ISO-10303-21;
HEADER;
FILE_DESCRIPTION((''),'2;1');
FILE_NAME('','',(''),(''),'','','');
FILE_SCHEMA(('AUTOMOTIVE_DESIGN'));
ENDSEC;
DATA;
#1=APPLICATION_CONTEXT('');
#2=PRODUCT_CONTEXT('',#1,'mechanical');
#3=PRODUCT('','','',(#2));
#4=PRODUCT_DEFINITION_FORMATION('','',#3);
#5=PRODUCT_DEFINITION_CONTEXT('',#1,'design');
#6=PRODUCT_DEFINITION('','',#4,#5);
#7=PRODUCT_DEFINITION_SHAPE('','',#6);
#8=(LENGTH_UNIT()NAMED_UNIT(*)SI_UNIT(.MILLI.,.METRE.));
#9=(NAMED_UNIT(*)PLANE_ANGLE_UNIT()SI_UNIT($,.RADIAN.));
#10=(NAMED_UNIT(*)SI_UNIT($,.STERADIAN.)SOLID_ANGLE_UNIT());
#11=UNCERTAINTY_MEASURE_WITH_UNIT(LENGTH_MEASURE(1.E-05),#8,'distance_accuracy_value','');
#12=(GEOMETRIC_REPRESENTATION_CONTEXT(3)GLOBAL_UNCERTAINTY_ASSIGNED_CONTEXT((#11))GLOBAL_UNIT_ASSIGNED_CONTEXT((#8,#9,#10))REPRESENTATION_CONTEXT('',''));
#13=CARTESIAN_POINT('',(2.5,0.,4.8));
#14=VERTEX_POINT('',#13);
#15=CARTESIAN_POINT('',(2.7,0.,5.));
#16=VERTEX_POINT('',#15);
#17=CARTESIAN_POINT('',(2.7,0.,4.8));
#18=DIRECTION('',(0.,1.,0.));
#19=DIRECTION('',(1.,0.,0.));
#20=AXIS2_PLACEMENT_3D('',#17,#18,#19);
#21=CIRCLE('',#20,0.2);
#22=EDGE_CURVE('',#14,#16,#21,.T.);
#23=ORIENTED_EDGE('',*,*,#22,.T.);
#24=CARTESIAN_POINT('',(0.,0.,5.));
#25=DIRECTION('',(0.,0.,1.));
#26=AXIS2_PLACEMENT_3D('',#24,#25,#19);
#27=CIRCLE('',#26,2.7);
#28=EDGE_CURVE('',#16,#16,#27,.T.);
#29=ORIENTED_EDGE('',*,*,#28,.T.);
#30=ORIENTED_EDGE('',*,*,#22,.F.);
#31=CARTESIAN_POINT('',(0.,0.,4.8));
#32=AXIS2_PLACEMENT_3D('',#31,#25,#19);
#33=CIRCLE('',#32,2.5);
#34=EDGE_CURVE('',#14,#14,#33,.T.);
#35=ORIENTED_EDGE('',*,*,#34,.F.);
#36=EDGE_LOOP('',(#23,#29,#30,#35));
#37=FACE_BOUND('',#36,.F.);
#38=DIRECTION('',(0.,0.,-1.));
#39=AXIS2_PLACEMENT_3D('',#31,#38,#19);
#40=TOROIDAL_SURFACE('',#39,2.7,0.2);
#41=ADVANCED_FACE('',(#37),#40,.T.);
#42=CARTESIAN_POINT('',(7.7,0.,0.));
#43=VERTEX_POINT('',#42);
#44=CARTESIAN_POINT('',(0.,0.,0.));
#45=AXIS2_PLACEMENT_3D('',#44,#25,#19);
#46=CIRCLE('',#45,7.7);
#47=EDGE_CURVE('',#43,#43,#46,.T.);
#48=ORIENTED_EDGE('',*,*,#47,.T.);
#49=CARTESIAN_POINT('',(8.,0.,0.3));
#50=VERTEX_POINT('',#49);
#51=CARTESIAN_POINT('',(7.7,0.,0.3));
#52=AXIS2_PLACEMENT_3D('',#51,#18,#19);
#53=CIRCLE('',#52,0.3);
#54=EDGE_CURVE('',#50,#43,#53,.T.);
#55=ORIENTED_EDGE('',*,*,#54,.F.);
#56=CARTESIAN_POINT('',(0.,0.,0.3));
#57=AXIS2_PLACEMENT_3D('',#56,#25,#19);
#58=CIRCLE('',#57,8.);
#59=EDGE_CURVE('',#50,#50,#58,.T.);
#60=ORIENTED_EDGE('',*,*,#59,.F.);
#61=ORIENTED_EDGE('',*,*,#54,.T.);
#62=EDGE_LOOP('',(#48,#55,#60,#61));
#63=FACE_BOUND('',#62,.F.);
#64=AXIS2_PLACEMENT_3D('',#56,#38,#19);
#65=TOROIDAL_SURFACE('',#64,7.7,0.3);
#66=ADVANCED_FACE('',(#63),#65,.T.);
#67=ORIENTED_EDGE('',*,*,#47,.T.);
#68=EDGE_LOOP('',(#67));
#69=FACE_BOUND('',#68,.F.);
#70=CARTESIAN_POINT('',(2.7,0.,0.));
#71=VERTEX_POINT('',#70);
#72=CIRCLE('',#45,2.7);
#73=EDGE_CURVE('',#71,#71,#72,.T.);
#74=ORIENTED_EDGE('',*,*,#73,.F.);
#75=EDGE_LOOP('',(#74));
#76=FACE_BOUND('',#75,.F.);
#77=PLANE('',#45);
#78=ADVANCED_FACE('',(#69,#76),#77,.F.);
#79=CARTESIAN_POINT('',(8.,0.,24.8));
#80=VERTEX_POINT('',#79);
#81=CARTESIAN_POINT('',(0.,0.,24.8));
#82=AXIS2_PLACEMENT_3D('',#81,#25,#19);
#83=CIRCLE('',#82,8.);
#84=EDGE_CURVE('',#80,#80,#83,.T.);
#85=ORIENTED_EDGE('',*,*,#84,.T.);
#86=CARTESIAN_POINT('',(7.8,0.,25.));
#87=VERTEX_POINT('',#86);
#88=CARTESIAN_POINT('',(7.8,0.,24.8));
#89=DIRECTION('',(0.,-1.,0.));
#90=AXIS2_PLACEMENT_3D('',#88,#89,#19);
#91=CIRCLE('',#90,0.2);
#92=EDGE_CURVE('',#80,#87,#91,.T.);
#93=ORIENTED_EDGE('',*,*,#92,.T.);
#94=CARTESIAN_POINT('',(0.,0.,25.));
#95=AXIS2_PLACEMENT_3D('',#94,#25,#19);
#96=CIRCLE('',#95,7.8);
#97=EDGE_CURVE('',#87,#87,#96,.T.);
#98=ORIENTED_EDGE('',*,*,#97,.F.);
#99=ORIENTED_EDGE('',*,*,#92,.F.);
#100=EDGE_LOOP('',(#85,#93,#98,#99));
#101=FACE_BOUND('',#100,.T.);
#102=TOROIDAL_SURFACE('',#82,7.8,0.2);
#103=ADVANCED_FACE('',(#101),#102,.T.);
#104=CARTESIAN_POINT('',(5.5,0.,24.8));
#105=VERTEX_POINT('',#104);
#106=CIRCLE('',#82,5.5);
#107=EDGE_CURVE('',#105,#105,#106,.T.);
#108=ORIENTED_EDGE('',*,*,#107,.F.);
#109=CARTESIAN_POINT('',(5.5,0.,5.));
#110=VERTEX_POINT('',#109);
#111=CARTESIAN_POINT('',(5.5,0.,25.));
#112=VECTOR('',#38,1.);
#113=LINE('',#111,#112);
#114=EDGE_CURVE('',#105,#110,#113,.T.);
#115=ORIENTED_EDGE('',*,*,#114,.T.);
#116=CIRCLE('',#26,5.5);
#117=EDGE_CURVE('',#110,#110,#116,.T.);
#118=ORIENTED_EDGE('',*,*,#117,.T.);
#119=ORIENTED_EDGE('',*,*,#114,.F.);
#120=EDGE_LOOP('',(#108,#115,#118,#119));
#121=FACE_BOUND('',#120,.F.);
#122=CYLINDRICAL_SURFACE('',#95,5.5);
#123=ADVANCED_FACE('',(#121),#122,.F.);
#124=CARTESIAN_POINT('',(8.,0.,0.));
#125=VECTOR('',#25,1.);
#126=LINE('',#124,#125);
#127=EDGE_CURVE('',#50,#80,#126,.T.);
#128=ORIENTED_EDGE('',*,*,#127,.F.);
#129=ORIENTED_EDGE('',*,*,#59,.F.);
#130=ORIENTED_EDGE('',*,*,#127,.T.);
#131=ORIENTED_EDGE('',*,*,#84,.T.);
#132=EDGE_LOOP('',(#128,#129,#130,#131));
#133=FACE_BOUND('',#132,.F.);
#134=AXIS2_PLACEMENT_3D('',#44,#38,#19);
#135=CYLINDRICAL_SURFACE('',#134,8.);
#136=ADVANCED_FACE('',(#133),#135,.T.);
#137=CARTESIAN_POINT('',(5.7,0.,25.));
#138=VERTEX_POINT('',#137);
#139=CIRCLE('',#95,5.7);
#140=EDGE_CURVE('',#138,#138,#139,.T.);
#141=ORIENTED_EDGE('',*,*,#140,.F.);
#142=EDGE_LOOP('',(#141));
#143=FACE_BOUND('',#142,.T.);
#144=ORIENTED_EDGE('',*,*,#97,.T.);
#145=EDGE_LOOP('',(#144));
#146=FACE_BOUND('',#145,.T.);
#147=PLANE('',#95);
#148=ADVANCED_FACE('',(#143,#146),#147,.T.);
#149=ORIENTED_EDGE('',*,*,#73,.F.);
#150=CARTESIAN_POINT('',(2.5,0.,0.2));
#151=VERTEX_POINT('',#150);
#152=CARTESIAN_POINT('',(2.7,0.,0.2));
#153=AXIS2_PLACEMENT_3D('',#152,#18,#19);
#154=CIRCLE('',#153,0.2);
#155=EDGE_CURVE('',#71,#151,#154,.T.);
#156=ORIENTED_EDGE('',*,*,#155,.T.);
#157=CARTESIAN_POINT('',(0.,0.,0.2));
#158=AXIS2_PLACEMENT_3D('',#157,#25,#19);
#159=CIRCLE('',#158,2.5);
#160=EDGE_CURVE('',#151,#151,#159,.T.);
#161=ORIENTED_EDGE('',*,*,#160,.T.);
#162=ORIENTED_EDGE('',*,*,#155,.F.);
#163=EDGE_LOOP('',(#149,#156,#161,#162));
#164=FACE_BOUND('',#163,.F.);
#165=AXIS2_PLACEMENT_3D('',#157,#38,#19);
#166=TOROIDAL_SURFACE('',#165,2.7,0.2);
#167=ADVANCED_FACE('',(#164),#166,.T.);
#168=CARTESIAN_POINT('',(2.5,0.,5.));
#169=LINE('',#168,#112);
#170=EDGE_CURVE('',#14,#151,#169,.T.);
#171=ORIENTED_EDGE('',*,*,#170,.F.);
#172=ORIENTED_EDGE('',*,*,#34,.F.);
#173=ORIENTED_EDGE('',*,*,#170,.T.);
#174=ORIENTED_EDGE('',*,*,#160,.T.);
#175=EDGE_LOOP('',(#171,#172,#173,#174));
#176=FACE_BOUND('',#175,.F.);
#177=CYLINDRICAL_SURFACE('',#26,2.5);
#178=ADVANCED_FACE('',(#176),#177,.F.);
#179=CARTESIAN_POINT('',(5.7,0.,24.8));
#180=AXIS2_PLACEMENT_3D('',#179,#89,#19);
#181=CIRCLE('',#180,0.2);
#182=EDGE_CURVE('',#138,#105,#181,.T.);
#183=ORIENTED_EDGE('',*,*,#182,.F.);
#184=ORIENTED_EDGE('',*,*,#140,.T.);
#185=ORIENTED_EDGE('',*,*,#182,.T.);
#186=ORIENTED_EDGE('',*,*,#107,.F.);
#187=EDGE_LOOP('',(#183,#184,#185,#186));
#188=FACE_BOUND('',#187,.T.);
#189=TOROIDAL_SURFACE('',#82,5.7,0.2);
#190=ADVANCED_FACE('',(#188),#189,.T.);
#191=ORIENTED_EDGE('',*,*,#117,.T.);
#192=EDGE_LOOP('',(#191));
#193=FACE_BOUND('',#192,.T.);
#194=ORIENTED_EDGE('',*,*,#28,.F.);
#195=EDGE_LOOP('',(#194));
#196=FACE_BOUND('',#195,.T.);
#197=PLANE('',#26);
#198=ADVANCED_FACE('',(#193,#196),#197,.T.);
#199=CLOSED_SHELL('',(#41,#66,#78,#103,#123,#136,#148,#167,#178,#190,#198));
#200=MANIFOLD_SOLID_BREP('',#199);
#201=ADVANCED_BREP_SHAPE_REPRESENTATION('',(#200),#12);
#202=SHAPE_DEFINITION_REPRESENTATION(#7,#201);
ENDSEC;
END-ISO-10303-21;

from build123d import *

# Parameters (mm, degrees)
SKETCH1_R           = 8
BOSS_EXTRUDE1_DEPTH = 25
SKETCH2_R           = 5.5
CUT_EXTRUDE1_DEPTH  = 20
SKETCH3_R           = 2.5
CUT_EXTRUDE2_DEPTH  = 6
FILLET1_R           = 0.2
FILLET2_R           = 0.3


with BuildPart() as part:
    # Sketch1 → Boss-Extrude1 (new body)
    with BuildSketch(Plane.XY):
        Circle(SKETCH1_R)
    extrude(amount=BOSS_EXTRUDE1_DEPTH)

    # Sketch2 → Cut-Extrude1 (cut)
    with BuildSketch(Plane.XY.offset(25)):
        Circle(SKETCH2_R)
    extrude(amount=-CUT_EXTRUDE1_DEPTH, mode=Mode.SUBTRACT)

    # Sketch3 → Cut-Extrude2 (cut, through all)
    with BuildSketch(Plane.XY.offset(5)):
        Circle(SKETCH3_R)
    extrude(amount=-CUT_EXTRUDE2_DEPTH, mode=Mode.SUBTRACT)

    # Fillet1
    fillet1_edges = [part.edges().sort_by_distance(p)[0] for p in [
        (-2.5, 0, 0),
        (-2.5, 0, 5),
        (-8, 0, 25),
        (-5.5, 0, 25),
    ]]
    fillet(fillet1_edges, radius=FILLET1_R)

    # Fillet2
    fillet2_edges = [part.edges().sort_by_distance(p)[0] for p in [
        (-8, 0, 0),
    ]]
    fillet(fillet2_edges, radius=FILLET2_R)


solid = part.part
